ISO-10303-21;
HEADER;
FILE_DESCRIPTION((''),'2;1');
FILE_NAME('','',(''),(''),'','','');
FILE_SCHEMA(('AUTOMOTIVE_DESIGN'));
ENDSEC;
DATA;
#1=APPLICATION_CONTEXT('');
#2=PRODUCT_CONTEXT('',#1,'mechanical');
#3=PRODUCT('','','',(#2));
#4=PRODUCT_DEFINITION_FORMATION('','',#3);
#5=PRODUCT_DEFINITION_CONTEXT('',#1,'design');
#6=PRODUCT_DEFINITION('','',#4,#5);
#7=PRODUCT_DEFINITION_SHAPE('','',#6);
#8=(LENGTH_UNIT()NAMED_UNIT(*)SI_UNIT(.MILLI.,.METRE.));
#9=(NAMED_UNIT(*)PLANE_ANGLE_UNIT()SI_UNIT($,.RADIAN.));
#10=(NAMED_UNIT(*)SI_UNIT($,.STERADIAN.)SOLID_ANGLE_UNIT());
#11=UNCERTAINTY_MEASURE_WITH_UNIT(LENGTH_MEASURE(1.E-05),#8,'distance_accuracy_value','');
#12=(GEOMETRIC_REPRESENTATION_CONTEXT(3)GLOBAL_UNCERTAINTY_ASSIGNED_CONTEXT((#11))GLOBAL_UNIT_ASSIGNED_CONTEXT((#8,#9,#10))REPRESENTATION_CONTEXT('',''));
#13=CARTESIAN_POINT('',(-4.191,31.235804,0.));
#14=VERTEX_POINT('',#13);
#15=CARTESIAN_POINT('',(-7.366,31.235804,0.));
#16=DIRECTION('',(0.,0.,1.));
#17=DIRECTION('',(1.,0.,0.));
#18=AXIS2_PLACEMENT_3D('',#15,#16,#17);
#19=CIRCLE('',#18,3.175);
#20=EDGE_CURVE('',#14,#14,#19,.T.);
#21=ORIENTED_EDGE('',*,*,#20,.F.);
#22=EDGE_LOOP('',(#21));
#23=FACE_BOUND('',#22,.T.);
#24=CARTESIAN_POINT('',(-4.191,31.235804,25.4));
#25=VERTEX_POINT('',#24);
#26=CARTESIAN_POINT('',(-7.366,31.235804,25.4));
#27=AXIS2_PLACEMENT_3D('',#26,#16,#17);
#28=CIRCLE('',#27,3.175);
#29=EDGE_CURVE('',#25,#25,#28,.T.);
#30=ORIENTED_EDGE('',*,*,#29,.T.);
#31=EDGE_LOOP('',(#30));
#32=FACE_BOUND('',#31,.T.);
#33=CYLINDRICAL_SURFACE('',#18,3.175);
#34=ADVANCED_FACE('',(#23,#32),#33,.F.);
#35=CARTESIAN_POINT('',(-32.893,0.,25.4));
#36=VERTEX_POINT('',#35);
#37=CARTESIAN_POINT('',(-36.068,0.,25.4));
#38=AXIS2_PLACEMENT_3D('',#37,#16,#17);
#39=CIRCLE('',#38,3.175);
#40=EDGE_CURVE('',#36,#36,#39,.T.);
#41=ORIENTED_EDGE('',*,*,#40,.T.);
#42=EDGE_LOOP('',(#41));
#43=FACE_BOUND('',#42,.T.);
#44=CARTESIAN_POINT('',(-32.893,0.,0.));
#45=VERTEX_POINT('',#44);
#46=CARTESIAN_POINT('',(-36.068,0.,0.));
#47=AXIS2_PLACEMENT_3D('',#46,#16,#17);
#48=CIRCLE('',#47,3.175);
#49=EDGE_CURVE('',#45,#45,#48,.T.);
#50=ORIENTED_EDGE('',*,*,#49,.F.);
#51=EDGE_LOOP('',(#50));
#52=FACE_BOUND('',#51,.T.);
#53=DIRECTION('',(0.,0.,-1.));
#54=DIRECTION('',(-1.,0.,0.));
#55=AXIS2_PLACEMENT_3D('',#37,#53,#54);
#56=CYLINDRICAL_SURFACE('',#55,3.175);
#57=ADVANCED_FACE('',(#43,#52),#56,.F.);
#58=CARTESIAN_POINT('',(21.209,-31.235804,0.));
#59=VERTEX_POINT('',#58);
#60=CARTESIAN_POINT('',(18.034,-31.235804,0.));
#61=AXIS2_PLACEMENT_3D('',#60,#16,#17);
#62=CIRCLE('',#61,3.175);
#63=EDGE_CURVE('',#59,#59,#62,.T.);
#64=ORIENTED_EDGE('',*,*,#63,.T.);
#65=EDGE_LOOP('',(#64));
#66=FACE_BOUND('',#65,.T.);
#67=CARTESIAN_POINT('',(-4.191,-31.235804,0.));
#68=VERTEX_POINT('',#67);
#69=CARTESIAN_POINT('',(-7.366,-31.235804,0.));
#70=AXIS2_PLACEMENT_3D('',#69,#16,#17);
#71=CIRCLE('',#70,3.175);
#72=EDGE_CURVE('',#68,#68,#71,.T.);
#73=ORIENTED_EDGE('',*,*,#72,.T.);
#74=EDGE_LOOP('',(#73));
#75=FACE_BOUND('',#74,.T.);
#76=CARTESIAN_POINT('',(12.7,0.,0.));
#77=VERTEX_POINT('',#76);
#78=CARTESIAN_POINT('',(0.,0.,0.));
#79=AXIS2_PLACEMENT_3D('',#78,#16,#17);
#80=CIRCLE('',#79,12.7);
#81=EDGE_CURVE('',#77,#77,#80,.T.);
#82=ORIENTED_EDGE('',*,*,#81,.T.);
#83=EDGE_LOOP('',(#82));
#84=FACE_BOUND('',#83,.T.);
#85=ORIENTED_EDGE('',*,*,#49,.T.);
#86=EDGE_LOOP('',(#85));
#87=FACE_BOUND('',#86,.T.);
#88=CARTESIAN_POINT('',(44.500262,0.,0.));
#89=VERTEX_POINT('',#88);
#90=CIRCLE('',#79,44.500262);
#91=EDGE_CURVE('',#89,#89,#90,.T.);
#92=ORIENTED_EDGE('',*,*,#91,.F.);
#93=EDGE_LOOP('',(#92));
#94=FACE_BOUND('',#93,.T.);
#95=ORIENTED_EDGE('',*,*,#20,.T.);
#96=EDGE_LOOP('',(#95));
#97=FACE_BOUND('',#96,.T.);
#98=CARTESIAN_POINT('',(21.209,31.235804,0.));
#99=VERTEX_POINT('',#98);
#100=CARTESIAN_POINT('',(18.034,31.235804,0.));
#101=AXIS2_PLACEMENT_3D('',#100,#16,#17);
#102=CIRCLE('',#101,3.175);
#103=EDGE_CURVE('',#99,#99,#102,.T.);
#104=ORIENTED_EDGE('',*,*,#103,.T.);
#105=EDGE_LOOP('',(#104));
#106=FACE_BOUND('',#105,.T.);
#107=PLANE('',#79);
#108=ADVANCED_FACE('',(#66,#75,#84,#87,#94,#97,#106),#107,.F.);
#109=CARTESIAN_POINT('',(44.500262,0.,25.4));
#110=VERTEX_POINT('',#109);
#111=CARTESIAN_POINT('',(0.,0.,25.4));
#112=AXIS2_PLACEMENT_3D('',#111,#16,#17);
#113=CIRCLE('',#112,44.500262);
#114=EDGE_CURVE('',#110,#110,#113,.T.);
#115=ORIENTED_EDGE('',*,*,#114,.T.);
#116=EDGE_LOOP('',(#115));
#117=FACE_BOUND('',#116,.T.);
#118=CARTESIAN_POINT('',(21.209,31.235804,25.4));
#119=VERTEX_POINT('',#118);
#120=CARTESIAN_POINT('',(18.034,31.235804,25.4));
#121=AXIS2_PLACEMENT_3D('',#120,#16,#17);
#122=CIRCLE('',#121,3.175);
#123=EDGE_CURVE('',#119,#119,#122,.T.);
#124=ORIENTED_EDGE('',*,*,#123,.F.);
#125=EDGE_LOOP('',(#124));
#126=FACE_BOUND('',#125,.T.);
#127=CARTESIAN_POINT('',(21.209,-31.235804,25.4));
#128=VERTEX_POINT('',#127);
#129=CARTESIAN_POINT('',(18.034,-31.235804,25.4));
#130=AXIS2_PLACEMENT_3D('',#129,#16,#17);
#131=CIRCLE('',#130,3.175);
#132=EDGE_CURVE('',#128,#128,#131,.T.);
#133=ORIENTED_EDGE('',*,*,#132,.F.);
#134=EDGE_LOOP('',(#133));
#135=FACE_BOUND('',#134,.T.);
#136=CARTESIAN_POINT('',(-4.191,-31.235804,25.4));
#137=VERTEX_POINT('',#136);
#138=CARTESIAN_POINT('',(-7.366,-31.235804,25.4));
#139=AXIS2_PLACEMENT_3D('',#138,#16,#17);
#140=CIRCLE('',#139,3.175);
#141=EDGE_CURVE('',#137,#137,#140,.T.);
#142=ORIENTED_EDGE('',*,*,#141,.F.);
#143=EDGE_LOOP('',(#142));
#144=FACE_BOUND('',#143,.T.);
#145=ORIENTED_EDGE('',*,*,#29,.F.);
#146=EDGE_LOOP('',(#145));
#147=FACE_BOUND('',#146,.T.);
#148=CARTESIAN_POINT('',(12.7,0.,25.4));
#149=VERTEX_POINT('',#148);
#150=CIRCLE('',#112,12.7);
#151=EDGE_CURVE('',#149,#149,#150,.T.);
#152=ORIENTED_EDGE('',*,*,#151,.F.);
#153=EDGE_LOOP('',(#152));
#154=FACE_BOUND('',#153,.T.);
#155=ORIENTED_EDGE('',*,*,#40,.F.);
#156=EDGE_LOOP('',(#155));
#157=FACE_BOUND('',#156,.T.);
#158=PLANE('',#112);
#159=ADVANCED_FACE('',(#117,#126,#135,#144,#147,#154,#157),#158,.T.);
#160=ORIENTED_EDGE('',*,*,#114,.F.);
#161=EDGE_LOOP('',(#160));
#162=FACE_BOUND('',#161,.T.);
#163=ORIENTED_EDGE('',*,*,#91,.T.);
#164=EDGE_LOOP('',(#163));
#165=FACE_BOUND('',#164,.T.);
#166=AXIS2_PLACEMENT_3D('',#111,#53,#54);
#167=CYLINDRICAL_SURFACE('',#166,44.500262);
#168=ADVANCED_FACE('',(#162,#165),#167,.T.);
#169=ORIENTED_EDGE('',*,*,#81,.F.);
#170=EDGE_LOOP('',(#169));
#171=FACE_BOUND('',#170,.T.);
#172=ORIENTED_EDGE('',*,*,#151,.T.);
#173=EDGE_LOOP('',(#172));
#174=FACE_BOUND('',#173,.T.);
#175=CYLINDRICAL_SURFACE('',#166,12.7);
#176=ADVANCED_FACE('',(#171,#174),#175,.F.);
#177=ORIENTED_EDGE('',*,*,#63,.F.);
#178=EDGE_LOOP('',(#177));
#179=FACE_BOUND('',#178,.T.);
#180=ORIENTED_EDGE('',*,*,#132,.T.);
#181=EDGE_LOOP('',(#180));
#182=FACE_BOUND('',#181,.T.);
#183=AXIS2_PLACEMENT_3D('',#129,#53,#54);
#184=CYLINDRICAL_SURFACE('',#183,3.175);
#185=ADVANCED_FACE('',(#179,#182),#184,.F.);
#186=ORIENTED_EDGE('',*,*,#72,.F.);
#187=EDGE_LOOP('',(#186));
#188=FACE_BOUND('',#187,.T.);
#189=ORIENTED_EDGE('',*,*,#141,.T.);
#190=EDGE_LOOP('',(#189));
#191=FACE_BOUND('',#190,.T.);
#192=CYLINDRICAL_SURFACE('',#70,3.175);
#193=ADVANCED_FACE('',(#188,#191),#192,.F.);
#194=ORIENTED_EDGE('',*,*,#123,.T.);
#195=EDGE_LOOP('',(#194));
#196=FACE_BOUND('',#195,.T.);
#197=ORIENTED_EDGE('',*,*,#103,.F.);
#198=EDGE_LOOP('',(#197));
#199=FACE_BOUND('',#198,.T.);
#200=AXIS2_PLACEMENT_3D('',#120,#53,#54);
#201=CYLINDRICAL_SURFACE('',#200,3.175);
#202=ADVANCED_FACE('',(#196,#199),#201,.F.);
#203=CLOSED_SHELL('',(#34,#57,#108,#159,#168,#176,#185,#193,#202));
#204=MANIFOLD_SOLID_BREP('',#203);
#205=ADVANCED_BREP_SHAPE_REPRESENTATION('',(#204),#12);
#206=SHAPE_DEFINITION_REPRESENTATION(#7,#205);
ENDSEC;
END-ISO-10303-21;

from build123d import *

# Parameters (mm, degrees)
SKETCH1_R           = 44.500262214
SKETCH1_R_2         = 12.7
SKETCH1_R_3         = 3.175
BOSS_EXTRUDE1_DEPTH = 25.4
SKETCH2_R           = 3.175
CUT_EXTRUDE1_DEPTH  = 25.4


with BuildPart() as part:
    # Sketch1 → Boss-Extrude1 (new body)
    with BuildSketch(Plane.XY):
        Circle(SKETCH1_R)
        Circle(SKETCH1_R_2, mode=Mode.SUBTRACT)
        with Locations((-36.068, 0)):
            Circle(SKETCH1_R_3, mode=Mode.SUBTRACT)
        with Locations((18.034, 31.235804264)):
            Circle(SKETCH1_R_3, mode=Mode.SUBTRACT)
        with Locations((18.034, -31.235804264)):
            Circle(SKETCH1_R_3, mode=Mode.SUBTRACT)
    extrude(amount=BOSS_EXTRUDE1_DEPTH)

    # Sketch2 → Cut-Extrude1 (cut)
    with BuildSketch(Plane.XY.offset(25.4)):
        with Locations((-7.366, -31.235804264)):
            Circle(SKETCH2_R)
        with Locations((-7.366, 31.235804264)):
            Circle(SKETCH2_R)
    extrude(amount=-CUT_EXTRUDE1_DEPTH, mode=Mode.SUBTRACT)


solid = part.part
